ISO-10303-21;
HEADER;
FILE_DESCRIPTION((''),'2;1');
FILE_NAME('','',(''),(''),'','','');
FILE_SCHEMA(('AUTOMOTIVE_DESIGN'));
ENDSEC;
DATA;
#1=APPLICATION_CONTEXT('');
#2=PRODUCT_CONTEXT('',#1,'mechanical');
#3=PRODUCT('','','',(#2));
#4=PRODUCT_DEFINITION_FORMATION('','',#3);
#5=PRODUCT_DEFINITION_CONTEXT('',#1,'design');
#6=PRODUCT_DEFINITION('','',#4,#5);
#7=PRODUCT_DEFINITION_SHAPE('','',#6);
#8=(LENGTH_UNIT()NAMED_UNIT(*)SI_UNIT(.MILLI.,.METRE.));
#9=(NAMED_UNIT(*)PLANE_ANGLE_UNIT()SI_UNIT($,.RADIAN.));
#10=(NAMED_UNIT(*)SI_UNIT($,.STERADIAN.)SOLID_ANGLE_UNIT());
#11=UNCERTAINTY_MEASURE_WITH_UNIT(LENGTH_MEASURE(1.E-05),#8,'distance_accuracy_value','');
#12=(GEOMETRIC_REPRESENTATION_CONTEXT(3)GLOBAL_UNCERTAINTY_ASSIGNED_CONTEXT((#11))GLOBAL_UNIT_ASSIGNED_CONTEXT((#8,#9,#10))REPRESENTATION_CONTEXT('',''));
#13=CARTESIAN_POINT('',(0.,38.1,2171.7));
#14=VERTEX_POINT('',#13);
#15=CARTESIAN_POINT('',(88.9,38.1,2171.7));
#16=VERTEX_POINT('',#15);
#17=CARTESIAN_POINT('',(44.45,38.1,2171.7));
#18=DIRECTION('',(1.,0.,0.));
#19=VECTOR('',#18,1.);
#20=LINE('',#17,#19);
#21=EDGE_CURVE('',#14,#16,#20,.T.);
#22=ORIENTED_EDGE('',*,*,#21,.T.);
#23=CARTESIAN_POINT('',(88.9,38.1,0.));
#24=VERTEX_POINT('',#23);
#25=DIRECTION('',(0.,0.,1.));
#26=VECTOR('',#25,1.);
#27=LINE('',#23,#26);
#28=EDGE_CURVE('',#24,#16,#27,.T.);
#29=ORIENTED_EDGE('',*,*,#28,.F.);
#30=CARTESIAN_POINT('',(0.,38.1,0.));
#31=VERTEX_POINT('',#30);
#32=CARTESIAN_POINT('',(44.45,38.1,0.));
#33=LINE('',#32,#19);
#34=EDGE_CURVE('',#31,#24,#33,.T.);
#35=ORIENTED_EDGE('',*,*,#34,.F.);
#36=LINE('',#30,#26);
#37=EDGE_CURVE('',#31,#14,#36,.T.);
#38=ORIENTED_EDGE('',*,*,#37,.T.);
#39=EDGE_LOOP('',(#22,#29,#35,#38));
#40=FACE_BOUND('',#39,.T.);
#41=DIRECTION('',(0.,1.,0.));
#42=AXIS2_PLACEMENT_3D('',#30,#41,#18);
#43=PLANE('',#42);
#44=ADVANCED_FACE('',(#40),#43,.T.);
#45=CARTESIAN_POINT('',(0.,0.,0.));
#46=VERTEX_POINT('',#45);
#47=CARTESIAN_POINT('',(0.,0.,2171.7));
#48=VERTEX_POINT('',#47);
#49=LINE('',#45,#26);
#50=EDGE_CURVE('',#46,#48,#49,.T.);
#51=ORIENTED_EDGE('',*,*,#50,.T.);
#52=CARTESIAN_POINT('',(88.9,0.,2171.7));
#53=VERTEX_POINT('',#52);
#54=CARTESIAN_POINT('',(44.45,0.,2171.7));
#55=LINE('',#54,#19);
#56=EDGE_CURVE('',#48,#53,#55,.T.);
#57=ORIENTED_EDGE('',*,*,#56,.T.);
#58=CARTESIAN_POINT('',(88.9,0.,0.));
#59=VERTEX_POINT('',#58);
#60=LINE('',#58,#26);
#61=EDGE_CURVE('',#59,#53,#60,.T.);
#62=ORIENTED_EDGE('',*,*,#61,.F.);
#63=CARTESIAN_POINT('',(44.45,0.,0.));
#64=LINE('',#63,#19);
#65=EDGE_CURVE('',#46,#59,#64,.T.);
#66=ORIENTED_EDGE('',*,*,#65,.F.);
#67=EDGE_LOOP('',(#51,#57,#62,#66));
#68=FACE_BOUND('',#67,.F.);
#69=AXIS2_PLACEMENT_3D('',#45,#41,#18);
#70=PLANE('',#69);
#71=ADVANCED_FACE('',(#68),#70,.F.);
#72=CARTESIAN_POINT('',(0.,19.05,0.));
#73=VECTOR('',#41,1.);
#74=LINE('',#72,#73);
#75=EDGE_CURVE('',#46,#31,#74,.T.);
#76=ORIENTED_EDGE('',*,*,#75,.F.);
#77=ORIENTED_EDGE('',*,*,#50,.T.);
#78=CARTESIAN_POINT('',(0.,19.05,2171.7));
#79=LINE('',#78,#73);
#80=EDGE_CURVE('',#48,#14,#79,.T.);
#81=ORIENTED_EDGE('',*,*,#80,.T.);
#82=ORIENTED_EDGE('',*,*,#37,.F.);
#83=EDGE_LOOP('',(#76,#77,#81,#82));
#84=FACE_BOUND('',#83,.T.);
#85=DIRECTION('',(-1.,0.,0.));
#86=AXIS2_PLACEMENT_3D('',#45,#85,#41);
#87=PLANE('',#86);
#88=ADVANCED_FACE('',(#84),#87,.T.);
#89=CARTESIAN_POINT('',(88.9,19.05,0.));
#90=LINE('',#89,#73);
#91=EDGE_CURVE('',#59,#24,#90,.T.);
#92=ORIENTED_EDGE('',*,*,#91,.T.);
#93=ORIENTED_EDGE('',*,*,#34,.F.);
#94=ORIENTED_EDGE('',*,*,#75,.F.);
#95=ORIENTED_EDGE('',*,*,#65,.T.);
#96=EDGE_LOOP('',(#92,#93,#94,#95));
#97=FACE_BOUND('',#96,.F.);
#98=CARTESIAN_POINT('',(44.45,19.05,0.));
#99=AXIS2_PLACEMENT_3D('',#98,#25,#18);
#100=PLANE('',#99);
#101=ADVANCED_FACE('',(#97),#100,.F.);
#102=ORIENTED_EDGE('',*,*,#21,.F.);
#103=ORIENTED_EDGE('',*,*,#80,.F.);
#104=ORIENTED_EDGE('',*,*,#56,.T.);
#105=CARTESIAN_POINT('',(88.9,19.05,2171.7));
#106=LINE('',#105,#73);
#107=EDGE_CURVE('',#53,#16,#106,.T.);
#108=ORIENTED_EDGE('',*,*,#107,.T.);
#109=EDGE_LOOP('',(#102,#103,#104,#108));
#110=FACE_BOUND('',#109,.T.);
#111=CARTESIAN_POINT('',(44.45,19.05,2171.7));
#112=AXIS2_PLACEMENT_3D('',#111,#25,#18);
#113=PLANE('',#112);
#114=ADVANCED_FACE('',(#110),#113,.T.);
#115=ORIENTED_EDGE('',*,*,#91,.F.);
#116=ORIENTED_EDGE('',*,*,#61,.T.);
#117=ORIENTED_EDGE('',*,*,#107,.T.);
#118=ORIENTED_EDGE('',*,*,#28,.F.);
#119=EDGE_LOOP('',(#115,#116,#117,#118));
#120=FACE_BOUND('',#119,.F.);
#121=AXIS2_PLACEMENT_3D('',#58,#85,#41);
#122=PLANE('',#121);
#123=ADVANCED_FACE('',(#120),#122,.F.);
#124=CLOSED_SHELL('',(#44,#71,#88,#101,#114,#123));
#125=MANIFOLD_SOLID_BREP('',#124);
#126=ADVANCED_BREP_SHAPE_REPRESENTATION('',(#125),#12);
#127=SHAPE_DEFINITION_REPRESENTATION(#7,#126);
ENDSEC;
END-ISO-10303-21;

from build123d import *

# Parameters (mm, degrees)
SKETCH_W  = 88.9
SKETCH_H  = 38.1
PAD_DEPTH = 2171.7


with BuildPart() as part:
    # Sketch → Pad (new body)
    with BuildSketch(Plane.XY):
        with Locations((44.45, 19.05)):
            Rectangle(SKETCH_W, SKETCH_H)
    extrude(amount=PAD_DEPTH)


solid = part.part
